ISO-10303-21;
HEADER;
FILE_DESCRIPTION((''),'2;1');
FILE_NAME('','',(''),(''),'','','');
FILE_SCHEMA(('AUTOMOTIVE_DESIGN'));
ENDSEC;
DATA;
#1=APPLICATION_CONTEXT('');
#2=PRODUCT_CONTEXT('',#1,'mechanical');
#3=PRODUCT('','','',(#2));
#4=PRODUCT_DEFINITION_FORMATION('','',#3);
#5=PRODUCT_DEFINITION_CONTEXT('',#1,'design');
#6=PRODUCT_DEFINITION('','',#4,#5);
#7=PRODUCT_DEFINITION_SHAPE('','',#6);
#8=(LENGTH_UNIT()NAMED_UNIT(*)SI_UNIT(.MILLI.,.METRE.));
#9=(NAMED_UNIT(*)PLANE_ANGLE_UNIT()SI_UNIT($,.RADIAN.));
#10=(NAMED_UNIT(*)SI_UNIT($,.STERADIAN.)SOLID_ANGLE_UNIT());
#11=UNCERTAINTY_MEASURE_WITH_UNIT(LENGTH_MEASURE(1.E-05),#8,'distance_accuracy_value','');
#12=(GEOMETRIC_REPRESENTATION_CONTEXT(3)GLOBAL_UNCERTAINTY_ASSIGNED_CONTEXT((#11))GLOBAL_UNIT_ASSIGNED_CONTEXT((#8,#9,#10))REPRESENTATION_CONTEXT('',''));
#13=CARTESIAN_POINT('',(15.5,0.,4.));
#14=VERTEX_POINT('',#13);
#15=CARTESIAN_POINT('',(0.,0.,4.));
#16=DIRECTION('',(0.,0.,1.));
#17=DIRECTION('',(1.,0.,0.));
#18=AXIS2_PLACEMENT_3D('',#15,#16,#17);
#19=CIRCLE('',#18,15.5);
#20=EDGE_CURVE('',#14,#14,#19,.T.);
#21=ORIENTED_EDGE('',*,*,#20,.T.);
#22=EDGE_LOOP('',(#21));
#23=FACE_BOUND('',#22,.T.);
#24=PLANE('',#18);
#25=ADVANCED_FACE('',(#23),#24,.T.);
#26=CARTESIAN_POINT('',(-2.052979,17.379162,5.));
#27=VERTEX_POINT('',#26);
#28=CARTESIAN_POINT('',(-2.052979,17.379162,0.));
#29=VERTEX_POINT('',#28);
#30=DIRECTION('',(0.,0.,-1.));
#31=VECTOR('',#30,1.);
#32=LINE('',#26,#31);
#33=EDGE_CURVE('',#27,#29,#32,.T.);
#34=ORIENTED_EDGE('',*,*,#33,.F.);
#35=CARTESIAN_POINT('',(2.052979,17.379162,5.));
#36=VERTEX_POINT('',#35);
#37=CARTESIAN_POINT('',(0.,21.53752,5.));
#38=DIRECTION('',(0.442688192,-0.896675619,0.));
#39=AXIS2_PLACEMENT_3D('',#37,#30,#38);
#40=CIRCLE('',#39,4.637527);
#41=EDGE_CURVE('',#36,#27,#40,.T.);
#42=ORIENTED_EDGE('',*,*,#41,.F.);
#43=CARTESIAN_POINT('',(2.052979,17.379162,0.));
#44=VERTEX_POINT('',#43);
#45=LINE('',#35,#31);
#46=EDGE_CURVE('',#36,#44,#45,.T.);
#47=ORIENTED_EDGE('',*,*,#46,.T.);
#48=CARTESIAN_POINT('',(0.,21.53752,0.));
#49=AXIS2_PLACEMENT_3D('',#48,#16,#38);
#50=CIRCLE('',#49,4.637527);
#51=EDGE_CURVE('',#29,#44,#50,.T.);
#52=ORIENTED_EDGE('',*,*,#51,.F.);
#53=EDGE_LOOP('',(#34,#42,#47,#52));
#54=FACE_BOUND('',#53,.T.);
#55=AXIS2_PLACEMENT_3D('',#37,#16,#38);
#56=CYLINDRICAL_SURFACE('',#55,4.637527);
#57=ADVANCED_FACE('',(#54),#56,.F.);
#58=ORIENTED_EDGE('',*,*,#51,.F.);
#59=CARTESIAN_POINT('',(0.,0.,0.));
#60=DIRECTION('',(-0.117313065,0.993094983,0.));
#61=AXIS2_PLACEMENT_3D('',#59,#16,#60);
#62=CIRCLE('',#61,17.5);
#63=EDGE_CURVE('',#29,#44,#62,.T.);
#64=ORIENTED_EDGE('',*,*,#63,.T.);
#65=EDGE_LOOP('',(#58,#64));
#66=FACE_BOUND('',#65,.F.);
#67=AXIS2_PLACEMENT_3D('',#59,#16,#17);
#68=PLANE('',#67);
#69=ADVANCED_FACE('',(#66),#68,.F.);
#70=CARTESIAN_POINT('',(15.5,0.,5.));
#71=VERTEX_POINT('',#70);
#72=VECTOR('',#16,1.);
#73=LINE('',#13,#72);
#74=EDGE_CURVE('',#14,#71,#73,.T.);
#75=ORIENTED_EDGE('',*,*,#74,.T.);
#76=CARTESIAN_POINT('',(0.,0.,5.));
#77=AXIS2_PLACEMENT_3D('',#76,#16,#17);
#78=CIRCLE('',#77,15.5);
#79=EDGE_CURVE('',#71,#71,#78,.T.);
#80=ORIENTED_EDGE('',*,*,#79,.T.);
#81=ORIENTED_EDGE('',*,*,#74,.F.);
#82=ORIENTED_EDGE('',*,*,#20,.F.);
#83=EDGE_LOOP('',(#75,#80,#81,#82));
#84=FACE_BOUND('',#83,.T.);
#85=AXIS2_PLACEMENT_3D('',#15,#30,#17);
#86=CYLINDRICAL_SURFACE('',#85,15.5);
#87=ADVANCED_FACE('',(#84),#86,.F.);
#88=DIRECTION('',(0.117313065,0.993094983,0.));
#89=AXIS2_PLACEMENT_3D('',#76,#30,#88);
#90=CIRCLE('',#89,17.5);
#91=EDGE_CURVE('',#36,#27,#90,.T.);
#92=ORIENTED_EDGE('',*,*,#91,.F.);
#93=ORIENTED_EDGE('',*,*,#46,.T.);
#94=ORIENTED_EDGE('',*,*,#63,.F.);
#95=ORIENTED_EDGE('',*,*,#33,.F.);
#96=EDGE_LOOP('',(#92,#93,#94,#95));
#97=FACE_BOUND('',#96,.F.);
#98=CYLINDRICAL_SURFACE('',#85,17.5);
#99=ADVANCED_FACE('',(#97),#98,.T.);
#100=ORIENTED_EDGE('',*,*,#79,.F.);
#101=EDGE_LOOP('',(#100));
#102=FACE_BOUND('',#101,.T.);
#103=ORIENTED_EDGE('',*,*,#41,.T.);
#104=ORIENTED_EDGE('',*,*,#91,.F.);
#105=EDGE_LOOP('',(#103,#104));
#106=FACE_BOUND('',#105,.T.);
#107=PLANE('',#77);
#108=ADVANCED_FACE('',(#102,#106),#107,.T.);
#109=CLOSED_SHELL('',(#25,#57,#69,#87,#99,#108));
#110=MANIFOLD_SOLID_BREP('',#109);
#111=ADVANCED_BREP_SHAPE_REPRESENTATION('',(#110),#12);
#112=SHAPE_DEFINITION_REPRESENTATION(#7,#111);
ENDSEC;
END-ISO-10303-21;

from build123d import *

# Parameters (mm, degrees)
F0_R     = 17.5
F1_DEPTH = 4
F2_R     = 17.5
F2_R_2   = 15.5
F3_DEPTH = 1
F4_R     = 15.5
F5_DEPTH = 25


with BuildPart() as f1:
    # F0 (on Top) → F1 (new body)
    with BuildSketch(Plane.XY):
        Circle(F0_R)
    extrude(amount=F1_DEPTH)

    # F2 (on face) → F3 (join)
    with BuildSketch(Plane.XY.offset(4)):
        Circle(F2_R)
        Circle(F2_R_2, mode=Mode.SUBTRACT)
    extrude(amount=F3_DEPTH)

    # F4 (on face) → F5 (intersect)
    with BuildSketch(Plane.XY.offset(5)):
        with BuildLine():
            ThreePointArc((2.0529786403, 17.3791621979), (0, 16.8999925429), (-2.0529786403, 17.3791621979))
            ThreePointArc((-2.0529786403, 17.3791621979), (-11.6258951009, -13.0800826872), (17.5, 0))
            ThreePointArc((17.5, 0), (13.0800826872, 11.6258951009), (2.0529786403, 17.3791621979))
        make_face()
        Circle(F4_R, mode=Mode.SUBTRACT)
        Circle(F4_R)
    extrude(amount=-F5_DEPTH, mode=Mode.INTERSECT)


solid = f1.part
